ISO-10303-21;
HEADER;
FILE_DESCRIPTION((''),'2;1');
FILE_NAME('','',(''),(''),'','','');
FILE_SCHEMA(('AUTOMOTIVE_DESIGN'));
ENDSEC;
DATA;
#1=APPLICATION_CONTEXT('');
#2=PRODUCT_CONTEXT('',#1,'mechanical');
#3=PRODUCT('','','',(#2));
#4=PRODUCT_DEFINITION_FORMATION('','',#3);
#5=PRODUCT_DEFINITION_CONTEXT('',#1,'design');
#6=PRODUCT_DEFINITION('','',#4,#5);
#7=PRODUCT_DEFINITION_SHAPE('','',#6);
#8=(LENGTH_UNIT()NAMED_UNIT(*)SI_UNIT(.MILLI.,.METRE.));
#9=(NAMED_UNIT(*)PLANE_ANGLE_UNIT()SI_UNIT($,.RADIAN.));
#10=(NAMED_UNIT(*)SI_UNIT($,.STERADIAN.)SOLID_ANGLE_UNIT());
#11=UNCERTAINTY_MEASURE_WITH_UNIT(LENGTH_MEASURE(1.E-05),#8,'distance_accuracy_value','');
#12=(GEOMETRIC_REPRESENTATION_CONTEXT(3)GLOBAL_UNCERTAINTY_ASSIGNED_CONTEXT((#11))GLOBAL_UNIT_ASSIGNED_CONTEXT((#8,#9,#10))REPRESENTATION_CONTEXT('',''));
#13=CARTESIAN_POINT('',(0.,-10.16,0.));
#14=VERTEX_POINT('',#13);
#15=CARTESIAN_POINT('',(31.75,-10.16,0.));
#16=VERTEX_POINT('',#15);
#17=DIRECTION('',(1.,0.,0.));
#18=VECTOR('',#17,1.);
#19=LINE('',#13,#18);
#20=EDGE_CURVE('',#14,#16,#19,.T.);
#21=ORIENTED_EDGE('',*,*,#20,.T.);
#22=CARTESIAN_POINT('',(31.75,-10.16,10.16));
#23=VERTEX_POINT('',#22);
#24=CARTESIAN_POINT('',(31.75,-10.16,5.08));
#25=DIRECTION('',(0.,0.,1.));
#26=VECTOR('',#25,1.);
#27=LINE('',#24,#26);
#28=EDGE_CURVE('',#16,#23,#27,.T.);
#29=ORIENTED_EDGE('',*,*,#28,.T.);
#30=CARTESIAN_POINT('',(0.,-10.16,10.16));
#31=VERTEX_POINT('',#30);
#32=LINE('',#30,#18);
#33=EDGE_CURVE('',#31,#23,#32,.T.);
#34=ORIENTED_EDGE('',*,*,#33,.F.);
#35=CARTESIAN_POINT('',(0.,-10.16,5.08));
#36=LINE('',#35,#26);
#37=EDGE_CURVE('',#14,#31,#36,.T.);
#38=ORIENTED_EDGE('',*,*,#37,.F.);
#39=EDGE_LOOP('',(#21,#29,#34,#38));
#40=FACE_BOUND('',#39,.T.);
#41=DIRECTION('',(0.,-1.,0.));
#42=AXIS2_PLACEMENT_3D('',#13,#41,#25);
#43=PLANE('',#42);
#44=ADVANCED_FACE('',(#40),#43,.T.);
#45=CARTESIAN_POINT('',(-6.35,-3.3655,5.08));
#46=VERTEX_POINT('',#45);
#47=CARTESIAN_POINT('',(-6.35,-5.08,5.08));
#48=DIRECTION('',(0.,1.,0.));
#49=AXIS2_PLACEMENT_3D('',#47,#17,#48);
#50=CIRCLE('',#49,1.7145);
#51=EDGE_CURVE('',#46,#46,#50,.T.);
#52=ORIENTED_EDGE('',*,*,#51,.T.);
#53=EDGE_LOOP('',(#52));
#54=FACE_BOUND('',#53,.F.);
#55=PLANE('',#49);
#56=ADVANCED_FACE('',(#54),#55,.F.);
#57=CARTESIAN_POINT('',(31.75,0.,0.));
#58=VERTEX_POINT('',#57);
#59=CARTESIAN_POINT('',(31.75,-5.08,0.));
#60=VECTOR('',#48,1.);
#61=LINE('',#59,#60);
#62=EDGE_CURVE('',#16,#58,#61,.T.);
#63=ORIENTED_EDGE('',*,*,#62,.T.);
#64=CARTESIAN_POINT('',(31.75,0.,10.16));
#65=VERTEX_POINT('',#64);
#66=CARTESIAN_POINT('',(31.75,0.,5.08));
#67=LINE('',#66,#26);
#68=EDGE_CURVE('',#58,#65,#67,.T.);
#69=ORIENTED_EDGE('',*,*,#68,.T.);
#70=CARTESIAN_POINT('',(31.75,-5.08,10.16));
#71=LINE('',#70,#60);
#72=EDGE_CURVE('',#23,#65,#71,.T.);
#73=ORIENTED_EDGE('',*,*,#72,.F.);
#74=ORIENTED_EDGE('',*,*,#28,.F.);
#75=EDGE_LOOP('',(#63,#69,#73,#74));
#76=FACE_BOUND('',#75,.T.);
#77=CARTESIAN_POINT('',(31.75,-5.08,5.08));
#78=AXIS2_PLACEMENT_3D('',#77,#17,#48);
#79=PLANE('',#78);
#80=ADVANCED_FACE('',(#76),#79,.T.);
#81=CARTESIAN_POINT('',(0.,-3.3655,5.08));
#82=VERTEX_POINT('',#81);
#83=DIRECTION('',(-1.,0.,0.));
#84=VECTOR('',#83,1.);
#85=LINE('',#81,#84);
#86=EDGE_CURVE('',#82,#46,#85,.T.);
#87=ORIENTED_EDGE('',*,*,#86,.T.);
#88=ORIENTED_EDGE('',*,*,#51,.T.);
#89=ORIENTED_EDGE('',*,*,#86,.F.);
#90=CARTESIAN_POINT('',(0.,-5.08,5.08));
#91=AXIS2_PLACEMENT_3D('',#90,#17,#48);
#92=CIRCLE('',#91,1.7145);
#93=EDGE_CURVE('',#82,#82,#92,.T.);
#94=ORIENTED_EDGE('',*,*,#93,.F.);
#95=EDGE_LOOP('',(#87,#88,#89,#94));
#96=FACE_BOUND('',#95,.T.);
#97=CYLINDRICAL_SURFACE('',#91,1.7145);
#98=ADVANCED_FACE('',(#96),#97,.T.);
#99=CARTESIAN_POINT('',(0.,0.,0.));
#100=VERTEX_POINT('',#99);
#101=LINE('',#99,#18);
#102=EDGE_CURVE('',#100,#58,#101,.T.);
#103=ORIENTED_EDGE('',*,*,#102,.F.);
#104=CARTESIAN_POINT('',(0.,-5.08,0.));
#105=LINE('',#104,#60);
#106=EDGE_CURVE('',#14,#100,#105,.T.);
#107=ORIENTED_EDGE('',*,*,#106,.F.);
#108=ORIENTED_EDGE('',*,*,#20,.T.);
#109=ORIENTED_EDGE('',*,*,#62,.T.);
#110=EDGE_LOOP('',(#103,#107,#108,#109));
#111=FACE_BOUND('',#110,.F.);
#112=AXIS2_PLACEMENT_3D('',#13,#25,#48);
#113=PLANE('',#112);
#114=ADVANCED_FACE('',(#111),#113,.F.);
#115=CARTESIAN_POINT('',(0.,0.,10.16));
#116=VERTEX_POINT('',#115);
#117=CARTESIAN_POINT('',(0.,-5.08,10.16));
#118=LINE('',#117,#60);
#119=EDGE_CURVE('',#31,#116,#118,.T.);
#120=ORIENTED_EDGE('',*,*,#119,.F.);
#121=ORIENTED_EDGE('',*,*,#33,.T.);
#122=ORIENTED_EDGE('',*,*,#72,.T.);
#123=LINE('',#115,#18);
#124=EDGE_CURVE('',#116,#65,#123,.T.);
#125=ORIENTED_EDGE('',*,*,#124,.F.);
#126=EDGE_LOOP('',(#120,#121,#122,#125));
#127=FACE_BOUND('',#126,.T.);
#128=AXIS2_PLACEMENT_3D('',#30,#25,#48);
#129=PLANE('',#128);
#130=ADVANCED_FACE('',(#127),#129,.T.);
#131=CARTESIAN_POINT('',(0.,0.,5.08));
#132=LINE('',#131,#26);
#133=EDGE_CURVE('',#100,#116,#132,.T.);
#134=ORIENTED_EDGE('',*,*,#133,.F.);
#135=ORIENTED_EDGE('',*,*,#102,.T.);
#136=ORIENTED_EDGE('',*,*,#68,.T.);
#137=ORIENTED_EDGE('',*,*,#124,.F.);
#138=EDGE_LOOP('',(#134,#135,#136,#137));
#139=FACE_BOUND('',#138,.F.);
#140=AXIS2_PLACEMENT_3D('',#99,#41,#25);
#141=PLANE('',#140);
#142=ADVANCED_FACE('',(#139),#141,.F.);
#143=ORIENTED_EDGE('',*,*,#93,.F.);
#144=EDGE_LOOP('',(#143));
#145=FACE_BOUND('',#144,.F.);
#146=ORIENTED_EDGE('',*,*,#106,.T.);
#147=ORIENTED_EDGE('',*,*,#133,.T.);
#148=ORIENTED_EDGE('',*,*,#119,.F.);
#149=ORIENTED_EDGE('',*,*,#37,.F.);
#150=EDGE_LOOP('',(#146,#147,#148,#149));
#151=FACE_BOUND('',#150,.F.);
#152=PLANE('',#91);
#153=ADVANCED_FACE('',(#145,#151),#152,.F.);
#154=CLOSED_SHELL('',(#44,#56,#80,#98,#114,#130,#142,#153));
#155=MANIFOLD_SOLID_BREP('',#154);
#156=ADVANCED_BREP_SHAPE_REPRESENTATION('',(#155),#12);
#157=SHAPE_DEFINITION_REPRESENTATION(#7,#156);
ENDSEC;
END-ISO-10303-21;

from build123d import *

# Parameters (mm, degrees)
F0_W     = 10.16
F0_H     = 10.16
F1_DEPTH = 31.75
F2_R     = 1.7145
F3_DEPTH = 6.35


with BuildPart() as f1:
    # F0 (on Right) → F1 (new body)
    with BuildSketch(Plane.YZ):
        with Locations((-5.08, 5.08)):
            Rectangle(F0_W, F0_H)
    extrude(amount=F1_DEPTH)

    # F2 (on Right) → F3 (join)
    with BuildSketch(Plane.YZ):
        with Locations((-5.08, 5.08)):
            Circle(F2_R)
    extrude(amount=-F3_DEPTH)


solid = f1.part
